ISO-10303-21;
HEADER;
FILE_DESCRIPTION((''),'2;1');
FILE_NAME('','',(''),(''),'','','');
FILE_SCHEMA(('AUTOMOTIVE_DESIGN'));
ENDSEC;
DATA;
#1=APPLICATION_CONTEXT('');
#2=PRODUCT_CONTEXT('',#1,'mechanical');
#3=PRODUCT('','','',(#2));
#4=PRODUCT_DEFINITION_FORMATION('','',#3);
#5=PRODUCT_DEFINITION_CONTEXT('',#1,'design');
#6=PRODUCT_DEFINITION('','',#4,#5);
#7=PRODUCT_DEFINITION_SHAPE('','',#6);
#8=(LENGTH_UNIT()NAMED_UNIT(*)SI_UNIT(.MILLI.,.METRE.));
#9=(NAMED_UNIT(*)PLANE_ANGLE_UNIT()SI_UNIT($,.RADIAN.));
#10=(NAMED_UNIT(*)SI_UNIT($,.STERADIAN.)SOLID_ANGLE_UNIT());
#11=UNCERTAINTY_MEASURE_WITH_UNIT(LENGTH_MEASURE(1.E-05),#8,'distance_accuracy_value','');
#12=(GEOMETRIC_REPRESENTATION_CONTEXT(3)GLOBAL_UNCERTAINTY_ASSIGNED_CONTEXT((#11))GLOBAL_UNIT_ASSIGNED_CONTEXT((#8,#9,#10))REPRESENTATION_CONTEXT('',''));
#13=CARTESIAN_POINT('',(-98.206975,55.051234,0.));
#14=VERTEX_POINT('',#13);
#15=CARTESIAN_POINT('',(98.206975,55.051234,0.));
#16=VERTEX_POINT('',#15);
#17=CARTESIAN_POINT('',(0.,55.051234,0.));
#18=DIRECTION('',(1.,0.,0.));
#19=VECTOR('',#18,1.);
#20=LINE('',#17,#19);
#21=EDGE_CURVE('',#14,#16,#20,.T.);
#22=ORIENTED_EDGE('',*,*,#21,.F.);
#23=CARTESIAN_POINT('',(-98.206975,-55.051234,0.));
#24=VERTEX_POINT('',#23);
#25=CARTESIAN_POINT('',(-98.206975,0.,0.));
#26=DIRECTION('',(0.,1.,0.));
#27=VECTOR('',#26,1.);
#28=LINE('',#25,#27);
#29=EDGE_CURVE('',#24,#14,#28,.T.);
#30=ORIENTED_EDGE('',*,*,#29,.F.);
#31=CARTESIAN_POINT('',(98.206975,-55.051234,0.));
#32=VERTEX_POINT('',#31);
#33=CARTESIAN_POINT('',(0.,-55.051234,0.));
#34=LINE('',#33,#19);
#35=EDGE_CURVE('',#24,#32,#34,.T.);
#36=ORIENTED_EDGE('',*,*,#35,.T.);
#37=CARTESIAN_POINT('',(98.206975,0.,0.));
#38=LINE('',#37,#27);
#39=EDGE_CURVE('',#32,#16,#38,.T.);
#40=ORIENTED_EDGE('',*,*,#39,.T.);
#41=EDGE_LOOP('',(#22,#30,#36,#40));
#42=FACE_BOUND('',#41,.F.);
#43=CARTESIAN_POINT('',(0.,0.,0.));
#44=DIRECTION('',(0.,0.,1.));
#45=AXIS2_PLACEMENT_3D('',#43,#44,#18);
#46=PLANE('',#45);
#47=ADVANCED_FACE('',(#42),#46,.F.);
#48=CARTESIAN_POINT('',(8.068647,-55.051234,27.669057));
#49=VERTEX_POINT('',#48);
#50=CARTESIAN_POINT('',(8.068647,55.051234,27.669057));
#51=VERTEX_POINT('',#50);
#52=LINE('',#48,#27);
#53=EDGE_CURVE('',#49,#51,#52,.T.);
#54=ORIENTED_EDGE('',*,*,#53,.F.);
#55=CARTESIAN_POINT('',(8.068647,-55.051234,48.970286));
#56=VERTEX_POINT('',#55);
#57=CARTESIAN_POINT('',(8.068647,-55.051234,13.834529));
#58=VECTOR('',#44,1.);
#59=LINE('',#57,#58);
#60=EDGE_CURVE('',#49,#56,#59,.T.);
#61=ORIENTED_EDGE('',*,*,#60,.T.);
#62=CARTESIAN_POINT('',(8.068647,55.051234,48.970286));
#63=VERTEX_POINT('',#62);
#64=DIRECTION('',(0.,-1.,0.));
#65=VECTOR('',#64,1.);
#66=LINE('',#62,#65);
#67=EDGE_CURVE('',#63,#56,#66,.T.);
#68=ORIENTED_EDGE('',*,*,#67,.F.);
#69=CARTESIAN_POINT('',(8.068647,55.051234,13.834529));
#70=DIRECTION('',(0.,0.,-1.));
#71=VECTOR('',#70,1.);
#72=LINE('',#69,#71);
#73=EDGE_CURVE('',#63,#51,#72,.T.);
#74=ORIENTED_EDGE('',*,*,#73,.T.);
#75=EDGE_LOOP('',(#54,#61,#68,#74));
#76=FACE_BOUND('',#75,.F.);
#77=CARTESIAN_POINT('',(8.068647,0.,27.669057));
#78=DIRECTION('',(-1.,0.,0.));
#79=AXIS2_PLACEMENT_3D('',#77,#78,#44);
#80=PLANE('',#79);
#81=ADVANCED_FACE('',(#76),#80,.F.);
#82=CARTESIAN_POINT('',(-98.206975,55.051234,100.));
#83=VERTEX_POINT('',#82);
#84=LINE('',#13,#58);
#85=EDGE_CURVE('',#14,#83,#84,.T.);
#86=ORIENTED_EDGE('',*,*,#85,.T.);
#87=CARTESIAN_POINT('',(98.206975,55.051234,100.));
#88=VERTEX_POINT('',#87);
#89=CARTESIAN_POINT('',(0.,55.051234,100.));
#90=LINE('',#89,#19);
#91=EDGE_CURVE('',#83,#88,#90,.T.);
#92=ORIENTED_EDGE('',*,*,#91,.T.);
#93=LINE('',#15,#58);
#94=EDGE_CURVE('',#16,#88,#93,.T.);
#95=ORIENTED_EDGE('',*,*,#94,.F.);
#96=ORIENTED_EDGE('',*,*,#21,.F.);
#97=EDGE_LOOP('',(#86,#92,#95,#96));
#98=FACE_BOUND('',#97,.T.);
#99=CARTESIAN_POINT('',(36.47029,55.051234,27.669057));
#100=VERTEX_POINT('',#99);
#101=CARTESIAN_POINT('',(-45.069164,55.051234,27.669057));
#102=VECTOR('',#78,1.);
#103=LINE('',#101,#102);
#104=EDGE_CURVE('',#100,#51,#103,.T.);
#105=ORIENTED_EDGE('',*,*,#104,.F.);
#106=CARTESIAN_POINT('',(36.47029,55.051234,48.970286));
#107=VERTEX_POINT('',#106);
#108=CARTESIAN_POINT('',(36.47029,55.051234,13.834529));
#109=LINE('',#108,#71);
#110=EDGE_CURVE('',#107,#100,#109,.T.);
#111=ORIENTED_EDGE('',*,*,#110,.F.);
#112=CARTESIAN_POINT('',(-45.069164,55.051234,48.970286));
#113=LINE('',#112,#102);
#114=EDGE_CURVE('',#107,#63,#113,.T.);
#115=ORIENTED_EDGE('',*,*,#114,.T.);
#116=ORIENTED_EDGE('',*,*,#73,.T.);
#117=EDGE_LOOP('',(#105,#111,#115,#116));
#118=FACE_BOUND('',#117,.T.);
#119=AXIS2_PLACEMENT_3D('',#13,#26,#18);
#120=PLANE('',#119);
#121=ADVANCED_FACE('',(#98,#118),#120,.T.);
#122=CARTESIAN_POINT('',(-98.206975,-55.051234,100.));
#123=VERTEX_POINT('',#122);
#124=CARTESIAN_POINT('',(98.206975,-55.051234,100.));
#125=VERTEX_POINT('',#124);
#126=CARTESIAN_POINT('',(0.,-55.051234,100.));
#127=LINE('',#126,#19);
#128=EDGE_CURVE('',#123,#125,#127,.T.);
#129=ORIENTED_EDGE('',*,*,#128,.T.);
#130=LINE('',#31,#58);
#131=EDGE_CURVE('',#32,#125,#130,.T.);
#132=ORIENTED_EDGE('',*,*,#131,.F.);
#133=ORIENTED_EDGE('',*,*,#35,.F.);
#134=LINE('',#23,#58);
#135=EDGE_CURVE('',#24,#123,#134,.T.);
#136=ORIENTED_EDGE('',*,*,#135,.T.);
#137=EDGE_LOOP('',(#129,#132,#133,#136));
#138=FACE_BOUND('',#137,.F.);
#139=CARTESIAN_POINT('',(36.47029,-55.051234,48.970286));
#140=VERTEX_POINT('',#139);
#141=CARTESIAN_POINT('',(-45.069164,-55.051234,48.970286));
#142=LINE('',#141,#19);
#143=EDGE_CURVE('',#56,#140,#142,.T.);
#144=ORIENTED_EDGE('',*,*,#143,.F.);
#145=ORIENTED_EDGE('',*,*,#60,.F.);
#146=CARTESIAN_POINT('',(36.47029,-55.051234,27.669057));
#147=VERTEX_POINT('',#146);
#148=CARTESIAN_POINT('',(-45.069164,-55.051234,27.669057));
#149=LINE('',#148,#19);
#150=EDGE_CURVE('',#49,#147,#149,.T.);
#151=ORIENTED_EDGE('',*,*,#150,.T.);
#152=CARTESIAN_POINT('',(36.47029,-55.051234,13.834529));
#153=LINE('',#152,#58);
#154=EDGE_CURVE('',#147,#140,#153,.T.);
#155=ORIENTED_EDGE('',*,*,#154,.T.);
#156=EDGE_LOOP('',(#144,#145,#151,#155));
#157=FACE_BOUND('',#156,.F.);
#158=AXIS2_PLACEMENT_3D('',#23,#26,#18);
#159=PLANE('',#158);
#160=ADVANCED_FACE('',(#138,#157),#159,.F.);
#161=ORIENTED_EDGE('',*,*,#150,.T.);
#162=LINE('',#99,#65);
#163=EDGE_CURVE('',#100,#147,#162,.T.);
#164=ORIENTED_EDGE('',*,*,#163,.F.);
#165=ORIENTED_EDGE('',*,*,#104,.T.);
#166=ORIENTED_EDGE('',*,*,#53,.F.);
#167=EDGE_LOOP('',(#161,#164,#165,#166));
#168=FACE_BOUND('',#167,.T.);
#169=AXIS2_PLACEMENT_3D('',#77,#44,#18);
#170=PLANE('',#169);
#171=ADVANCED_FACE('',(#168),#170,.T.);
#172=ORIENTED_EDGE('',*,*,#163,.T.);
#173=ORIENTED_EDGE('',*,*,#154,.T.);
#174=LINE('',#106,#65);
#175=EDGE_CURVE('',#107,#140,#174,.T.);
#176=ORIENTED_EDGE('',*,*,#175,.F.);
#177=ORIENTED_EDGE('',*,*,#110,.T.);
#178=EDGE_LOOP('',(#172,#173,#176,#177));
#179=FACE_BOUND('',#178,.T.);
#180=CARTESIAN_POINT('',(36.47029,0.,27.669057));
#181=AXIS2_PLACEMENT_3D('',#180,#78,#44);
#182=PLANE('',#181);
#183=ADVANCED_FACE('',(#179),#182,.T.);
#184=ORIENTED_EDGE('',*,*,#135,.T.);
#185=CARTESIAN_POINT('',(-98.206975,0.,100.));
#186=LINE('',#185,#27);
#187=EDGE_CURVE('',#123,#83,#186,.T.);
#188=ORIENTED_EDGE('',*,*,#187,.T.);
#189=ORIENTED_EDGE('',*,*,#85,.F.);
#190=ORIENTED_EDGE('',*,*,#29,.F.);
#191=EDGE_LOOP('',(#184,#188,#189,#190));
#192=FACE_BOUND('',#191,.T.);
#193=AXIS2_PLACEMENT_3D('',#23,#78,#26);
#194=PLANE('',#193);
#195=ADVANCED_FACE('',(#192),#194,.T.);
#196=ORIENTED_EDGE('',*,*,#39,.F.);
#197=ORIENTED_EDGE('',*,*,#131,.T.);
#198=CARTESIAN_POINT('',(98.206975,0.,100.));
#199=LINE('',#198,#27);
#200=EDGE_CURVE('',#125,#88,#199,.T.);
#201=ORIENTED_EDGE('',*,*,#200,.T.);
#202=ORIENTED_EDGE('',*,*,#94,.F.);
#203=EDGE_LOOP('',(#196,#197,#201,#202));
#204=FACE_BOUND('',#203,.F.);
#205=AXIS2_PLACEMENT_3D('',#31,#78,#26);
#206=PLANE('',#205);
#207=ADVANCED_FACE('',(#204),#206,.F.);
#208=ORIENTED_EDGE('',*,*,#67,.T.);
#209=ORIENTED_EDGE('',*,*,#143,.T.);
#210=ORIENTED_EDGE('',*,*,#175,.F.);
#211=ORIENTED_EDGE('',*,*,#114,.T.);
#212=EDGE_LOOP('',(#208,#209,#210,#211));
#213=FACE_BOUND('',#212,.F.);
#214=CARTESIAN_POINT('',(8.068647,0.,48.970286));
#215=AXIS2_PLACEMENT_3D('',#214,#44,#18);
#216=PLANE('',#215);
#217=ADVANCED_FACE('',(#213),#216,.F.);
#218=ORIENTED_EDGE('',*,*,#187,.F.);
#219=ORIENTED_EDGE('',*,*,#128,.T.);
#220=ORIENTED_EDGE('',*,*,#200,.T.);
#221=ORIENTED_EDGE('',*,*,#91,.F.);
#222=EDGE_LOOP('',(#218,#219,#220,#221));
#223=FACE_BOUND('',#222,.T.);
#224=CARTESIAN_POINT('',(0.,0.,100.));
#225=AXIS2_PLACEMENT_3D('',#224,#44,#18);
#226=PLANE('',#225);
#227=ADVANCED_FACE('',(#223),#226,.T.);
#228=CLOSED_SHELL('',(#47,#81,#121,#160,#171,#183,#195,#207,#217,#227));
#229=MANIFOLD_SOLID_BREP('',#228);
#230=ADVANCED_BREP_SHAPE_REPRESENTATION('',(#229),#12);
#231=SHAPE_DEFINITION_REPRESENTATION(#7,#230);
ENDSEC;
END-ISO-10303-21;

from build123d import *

# Parameters (mm, degrees)
F0_W          = 196.413949132
F0_H          = 110.1024672389
F0_W_2        = 42.3258244991
F0_H_2        = 21.1168043315
F1_DEPTH      = 100
F2_W          = 28.4016430378
F2_H          = 21.3012285531
F3_DEPTH      = 55.0522336195
F3_DEPTH_BACK = 55.0522336195


with BuildPart() as f1:
    # F0 (on Top) → F1 (new body)
    with BuildSketch(Plane.XY):
        Rectangle(F0_W, F0_H)
        with Locations((21.1629122496, 10.5584021658)):
            Rectangle(F0_W_2, F0_H_2, mode=Mode.SUBTRACT)
        with Locations((21.1629122496, 10.5584021658)):
            Rectangle(F0_W_2, F0_H_2)
    extrude(amount=F1_DEPTH)

    # F2 (on Front) → F3 (cut, two sides)
    with BuildSketch(Plane.XZ) as f3_sk:
        with Locations((22.2694687545, 38.3196715266)):
            Rectangle(F2_W, F2_H)
    extrude(amount=-F3_DEPTH, mode=Mode.SUBTRACT)
    extrude(f3_sk.sketch, amount=F3_DEPTH_BACK, mode=Mode.SUBTRACT)


solid = f1.part
